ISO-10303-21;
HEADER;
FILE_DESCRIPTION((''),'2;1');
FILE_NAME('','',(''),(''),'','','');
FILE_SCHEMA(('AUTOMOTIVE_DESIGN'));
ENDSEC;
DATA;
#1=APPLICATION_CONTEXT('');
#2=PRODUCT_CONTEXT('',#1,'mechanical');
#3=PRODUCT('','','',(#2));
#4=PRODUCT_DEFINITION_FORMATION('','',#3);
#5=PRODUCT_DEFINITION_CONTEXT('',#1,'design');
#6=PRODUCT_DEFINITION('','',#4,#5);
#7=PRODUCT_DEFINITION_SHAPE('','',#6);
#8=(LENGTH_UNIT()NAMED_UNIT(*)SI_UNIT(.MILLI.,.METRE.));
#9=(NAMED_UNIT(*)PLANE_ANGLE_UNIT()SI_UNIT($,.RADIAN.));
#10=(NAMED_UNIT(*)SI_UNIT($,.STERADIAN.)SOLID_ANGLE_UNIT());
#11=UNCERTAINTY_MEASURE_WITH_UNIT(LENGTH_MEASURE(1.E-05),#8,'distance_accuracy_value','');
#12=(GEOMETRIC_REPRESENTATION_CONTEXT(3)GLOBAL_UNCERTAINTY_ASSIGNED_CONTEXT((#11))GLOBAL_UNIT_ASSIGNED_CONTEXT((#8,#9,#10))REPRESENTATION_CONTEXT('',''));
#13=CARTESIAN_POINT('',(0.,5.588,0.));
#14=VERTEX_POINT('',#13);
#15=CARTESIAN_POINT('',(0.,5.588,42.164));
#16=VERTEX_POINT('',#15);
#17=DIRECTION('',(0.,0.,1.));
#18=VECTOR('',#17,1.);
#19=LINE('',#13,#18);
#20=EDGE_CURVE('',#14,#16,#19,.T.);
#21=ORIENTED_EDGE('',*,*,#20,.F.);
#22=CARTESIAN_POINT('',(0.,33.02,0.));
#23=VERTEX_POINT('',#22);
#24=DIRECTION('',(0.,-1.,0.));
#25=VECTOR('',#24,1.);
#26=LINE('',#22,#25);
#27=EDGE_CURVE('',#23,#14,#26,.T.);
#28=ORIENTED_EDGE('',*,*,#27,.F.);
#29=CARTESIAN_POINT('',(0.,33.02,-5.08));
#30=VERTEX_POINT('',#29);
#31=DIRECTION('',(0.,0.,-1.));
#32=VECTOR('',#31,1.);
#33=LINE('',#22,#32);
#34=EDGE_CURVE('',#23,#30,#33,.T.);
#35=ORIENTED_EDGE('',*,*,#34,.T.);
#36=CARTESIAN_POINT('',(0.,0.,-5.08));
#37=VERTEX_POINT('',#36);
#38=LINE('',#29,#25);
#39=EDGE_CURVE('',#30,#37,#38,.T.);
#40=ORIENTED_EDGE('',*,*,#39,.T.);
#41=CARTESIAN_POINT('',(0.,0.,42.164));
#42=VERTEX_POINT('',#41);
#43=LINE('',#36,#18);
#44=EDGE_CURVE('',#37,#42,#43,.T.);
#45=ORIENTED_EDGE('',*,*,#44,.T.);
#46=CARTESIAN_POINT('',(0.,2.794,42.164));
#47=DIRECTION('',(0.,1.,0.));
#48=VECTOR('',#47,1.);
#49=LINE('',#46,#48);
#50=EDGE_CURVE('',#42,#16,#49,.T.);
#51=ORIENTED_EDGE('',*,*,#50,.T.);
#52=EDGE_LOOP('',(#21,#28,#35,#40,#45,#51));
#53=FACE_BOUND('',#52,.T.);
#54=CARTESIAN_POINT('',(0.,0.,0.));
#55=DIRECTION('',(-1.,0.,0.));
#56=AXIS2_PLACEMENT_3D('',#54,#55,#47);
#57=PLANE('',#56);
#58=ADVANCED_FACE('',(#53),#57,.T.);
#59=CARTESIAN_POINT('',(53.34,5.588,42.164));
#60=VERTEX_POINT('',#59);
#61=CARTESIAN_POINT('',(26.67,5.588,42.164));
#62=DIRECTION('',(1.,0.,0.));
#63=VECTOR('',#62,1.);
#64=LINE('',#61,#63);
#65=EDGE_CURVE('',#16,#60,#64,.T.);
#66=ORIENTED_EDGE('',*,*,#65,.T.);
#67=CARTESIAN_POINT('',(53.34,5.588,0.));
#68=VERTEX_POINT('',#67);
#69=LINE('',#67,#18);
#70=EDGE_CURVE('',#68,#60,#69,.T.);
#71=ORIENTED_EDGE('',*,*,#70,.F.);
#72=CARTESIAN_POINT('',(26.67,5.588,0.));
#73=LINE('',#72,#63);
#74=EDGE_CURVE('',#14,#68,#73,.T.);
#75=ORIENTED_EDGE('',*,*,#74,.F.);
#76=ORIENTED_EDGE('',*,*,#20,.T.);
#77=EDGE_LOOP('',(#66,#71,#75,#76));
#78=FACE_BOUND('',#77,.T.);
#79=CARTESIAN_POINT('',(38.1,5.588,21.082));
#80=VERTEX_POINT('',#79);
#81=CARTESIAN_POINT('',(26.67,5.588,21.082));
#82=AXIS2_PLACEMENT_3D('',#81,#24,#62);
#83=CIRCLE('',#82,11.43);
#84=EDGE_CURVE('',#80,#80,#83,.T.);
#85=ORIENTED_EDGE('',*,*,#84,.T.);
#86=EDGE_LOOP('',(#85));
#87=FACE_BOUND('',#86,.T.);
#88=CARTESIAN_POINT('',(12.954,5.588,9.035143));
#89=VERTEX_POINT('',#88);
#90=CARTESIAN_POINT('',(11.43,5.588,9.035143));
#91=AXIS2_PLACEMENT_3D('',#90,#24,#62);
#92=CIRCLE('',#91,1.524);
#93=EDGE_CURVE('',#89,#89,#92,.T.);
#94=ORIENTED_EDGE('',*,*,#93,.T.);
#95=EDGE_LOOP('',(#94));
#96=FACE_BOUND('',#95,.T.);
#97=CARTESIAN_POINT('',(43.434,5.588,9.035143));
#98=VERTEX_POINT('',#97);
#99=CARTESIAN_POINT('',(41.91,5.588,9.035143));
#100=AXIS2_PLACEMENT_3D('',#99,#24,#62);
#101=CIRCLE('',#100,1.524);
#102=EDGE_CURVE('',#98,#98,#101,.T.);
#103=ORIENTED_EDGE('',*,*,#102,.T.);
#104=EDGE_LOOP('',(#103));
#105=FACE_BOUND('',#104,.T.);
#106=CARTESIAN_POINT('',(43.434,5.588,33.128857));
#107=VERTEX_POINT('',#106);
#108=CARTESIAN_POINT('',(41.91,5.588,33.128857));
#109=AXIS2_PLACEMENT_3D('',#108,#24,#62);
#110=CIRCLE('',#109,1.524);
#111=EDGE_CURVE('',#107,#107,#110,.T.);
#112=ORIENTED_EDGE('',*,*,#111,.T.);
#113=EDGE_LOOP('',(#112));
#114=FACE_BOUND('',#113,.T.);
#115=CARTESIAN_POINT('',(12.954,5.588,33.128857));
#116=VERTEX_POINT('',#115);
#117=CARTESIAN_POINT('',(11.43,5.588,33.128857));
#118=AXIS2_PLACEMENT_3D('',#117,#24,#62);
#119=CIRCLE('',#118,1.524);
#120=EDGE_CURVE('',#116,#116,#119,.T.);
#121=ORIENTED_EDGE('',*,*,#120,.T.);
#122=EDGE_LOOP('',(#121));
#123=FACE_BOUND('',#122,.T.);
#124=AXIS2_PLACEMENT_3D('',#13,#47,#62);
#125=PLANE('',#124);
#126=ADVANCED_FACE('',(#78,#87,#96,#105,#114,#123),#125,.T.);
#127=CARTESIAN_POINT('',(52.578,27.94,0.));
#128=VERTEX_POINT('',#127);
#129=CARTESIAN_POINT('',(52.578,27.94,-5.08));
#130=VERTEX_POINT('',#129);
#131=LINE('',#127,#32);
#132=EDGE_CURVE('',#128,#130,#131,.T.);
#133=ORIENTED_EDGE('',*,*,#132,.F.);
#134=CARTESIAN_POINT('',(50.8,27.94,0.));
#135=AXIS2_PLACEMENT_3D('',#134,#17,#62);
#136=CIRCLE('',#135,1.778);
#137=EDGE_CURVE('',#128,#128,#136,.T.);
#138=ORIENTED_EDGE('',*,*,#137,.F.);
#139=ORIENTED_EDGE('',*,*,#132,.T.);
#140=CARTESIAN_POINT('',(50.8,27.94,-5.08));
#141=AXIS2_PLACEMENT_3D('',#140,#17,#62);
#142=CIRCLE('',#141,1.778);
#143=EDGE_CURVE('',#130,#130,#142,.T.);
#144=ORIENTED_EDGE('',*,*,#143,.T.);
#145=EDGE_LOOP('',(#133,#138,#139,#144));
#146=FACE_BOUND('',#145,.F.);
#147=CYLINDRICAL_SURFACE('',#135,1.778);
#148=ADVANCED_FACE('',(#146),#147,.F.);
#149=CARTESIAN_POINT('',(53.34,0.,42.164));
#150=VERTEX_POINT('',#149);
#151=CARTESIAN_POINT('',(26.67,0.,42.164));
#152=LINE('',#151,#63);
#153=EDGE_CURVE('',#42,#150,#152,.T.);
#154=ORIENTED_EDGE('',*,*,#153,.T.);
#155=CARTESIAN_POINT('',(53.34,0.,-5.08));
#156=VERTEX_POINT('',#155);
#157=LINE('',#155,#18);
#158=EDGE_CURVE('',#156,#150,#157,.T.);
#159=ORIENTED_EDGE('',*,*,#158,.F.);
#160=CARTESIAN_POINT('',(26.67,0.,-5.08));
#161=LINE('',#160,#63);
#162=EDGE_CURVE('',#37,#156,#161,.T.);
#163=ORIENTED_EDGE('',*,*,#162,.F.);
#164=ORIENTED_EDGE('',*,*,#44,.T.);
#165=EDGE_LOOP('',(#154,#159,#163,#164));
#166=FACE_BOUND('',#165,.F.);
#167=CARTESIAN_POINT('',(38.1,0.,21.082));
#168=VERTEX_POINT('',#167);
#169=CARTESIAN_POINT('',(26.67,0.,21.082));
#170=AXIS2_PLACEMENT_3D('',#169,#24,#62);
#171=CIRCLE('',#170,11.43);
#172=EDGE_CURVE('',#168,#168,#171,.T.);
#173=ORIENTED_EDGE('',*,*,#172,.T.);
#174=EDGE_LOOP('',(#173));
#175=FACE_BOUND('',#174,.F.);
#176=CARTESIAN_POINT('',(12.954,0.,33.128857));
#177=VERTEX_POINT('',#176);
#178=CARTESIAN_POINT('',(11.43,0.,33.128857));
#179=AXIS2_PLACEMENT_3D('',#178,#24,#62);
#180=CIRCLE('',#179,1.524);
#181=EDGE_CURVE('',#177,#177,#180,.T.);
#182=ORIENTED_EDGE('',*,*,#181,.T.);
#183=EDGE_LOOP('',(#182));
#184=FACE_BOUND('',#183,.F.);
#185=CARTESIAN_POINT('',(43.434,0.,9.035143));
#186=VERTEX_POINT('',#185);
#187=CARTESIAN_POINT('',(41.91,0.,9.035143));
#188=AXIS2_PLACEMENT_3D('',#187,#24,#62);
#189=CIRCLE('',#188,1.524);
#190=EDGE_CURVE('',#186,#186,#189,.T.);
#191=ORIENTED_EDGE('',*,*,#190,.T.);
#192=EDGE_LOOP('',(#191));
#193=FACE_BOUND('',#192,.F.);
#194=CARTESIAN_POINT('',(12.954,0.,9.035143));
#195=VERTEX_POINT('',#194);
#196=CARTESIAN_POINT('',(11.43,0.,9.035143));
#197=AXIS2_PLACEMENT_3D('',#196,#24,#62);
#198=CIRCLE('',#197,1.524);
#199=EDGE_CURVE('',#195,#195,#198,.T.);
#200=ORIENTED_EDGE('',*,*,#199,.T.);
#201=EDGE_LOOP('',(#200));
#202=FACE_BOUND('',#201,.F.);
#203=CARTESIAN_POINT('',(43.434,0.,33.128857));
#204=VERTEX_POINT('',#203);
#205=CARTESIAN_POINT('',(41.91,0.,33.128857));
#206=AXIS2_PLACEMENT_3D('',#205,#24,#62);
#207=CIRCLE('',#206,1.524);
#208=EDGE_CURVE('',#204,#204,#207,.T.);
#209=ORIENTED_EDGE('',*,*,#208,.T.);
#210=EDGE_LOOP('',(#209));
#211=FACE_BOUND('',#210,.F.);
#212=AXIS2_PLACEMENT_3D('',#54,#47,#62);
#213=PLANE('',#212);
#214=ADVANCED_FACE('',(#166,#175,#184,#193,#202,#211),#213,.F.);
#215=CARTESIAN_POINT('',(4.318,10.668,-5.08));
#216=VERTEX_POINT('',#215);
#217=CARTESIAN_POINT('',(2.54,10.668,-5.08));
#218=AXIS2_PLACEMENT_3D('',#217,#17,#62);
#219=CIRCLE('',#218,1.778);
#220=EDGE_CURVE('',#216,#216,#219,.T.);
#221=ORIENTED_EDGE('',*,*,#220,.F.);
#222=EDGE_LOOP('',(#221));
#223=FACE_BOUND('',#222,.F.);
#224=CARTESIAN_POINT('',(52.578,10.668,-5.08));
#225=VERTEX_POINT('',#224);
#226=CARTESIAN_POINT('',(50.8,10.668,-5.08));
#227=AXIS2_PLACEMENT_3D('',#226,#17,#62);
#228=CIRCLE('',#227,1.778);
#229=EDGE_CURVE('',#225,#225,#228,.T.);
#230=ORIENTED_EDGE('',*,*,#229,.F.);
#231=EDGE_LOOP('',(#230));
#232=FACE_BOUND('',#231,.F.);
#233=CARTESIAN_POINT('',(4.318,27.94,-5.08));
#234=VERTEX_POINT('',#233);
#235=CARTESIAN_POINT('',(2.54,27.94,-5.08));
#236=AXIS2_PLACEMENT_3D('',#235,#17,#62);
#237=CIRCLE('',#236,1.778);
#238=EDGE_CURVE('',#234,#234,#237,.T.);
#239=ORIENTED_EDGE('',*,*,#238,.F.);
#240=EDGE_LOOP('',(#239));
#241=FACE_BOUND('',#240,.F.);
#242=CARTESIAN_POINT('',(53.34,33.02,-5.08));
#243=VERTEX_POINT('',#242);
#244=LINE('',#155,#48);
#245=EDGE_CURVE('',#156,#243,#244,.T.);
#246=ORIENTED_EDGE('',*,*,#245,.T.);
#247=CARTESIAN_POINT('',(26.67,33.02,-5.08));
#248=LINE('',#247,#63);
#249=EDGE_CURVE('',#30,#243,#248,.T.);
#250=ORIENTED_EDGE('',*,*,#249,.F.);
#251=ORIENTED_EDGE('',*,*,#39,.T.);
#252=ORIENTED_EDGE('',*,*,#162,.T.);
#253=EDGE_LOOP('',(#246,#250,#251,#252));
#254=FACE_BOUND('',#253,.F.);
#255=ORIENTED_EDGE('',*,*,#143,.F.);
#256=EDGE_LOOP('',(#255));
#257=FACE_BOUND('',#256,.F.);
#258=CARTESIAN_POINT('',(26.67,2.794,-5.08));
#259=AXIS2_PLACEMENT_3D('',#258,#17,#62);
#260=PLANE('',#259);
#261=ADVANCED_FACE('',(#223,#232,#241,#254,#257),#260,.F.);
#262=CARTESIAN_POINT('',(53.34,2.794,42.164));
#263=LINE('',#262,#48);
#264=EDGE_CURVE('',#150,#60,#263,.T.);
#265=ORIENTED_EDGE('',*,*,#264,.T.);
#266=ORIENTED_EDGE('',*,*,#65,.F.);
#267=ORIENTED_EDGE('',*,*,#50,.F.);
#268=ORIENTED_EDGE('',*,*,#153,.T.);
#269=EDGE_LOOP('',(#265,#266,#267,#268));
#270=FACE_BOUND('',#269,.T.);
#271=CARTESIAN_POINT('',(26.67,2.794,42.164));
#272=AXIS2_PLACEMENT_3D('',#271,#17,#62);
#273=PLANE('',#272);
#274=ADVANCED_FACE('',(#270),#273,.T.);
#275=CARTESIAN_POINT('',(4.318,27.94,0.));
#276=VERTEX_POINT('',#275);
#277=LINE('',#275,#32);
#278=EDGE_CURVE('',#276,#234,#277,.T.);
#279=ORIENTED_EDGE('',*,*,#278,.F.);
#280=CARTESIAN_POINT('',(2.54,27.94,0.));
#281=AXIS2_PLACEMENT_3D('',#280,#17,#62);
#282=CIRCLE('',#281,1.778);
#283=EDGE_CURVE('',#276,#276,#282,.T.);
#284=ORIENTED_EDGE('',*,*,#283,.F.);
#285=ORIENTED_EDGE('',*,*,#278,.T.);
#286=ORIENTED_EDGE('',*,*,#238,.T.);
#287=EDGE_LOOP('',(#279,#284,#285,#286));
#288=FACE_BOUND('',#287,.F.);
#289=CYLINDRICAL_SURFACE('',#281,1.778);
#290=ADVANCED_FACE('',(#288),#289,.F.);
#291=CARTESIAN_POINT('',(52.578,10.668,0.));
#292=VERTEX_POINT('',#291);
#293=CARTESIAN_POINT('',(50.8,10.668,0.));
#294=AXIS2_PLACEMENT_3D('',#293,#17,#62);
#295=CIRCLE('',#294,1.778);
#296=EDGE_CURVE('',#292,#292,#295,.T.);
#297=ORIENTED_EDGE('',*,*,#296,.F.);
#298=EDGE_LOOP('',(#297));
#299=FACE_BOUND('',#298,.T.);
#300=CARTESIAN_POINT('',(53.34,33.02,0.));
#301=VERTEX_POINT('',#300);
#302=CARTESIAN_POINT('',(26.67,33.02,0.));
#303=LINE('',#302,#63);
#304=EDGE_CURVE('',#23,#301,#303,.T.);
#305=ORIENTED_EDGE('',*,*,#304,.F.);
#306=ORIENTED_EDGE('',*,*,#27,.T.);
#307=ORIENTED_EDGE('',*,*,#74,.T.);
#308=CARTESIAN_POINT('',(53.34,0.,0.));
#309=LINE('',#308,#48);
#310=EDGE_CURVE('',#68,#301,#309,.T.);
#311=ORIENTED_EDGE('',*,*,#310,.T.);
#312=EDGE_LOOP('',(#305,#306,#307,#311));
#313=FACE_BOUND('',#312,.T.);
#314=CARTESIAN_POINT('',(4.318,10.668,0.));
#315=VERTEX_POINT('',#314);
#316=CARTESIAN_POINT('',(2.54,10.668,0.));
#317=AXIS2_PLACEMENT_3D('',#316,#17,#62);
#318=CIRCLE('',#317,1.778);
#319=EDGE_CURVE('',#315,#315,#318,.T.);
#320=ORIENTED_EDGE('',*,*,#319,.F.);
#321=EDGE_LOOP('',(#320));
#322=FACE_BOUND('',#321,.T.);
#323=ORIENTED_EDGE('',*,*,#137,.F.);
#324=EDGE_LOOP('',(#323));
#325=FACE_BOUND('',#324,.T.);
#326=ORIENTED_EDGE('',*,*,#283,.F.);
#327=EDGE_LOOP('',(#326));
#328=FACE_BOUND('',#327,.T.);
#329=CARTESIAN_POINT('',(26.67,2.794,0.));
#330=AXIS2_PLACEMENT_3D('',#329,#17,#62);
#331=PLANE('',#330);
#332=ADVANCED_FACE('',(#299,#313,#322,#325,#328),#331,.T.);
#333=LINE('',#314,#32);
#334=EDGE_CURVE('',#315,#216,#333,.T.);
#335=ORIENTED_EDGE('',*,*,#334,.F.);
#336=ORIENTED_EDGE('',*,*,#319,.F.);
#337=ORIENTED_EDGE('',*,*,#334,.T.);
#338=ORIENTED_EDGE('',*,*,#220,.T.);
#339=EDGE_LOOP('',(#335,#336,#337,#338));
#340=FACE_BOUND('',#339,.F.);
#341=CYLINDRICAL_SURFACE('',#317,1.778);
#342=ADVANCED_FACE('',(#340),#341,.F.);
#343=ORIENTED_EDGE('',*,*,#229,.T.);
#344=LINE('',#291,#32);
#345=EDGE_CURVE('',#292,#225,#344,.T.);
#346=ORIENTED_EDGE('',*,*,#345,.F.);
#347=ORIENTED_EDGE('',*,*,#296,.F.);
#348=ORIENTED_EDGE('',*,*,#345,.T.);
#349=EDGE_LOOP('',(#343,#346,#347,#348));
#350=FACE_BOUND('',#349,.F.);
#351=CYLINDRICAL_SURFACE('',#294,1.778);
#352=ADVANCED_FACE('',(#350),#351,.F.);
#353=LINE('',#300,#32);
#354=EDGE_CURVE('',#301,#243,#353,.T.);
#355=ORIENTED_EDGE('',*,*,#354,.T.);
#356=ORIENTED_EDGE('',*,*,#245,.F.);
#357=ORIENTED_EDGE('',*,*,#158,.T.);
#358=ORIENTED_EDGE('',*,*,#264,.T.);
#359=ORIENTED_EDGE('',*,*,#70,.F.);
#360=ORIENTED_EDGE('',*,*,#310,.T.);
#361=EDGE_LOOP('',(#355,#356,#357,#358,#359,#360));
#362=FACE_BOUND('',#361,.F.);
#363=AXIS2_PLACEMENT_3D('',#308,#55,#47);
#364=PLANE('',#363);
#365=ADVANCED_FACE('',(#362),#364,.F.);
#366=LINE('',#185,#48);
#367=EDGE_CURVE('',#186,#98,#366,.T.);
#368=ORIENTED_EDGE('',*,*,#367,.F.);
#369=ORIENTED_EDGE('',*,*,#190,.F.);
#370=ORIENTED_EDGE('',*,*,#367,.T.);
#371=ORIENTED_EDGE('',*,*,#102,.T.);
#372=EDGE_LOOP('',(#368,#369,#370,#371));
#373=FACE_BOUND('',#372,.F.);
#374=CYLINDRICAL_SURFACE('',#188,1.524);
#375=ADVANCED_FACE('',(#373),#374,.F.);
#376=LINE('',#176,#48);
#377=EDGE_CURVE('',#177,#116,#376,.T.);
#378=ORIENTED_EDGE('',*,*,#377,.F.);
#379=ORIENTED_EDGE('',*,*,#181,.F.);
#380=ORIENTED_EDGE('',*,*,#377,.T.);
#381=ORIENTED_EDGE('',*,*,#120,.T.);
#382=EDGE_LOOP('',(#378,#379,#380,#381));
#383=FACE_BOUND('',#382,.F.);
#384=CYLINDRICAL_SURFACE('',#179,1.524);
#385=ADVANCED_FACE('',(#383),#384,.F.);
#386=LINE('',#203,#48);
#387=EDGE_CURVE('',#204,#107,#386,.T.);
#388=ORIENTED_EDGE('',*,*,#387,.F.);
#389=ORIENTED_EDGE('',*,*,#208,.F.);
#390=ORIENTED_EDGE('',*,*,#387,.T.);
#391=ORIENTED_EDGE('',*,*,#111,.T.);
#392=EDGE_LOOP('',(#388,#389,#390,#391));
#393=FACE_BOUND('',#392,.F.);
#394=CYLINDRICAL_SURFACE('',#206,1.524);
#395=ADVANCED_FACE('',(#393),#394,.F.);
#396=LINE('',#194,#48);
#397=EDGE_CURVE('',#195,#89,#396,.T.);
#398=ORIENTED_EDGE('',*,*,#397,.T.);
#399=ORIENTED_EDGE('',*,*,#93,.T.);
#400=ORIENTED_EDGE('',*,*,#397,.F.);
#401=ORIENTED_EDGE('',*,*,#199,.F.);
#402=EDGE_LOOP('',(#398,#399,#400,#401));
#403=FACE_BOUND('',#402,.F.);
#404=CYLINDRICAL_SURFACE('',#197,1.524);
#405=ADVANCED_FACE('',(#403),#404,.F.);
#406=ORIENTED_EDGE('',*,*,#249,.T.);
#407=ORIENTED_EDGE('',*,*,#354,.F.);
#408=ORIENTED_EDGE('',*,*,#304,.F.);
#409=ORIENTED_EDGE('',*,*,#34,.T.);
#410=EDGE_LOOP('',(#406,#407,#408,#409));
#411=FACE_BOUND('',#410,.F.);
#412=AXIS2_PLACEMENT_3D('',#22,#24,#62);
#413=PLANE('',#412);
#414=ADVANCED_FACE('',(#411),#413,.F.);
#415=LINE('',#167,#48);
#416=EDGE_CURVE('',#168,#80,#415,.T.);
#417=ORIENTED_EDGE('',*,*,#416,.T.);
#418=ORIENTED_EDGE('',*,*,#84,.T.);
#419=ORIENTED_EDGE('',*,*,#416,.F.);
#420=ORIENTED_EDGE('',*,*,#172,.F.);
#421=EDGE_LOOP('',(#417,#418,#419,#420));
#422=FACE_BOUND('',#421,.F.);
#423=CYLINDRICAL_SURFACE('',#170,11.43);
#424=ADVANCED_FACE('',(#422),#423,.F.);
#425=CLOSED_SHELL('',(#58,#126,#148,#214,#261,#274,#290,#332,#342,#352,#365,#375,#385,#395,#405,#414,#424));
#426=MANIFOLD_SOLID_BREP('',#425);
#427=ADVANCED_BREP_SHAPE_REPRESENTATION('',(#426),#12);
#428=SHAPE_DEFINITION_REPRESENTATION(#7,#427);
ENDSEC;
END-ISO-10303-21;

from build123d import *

# Parameters (mm, degrees)
F0_W     = 53.34
F0_H     = 5.588
F0_H_2   = 27.432
F0_R     = 1.778
F1_DEPTH = 5.08
F2_DEPTH = 42.164
F3_R     = 1.524
F3_R_2   = 11.43
F4_DEPTH = 25.4


with BuildPart() as f1:
    # F0 (on Top) → F1 (new body)
    with BuildSketch(Plane.XY):
        with Locations((26.67, 2.794)):
            Rectangle(F0_W, F0_H)
        with Locations((26.67, 19.304)):
            Rectangle(F0_W, F0_H_2)
        with Locations((2.54, 10.668)):
            Circle(F0_R, mode=Mode.SUBTRACT)
        with Locations((50.8, 10.668)):
            Circle(F0_R, mode=Mode.SUBTRACT)
        with Locations((2.54, 27.94)):
            Circle(F0_R, mode=Mode.SUBTRACT)
        with Locations((50.8, 27.94)):
            Circle(F0_R, mode=Mode.SUBTRACT)
    extrude(amount=-F1_DEPTH)

    # F0 (on Top) → F2 (join)
    with BuildSketch(Plane.XY):
        with Locations((26.67, 2.794)):
            Rectangle(F0_W, F0_H)
    extrude(amount=F2_DEPTH)

    # F3 (on face) → F4 (cut)
    with BuildSketch(Plane.XZ):
        with Locations((11.43, 33.128857)):
            Circle(F3_R)
        with Locations((41.91, 33.128857)):
            Circle(F3_R)
        with Locations((11.43, 9.035143)):
            Circle(F3_R)
        with Locations((41.91, 9.035143)):
            Circle(F3_R)
        with Locations((26.67, 21.082)):
            Circle(F3_R_2)
    extrude(amount=-F4_DEPTH, mode=Mode.SUBTRACT)


solid = f1.part
